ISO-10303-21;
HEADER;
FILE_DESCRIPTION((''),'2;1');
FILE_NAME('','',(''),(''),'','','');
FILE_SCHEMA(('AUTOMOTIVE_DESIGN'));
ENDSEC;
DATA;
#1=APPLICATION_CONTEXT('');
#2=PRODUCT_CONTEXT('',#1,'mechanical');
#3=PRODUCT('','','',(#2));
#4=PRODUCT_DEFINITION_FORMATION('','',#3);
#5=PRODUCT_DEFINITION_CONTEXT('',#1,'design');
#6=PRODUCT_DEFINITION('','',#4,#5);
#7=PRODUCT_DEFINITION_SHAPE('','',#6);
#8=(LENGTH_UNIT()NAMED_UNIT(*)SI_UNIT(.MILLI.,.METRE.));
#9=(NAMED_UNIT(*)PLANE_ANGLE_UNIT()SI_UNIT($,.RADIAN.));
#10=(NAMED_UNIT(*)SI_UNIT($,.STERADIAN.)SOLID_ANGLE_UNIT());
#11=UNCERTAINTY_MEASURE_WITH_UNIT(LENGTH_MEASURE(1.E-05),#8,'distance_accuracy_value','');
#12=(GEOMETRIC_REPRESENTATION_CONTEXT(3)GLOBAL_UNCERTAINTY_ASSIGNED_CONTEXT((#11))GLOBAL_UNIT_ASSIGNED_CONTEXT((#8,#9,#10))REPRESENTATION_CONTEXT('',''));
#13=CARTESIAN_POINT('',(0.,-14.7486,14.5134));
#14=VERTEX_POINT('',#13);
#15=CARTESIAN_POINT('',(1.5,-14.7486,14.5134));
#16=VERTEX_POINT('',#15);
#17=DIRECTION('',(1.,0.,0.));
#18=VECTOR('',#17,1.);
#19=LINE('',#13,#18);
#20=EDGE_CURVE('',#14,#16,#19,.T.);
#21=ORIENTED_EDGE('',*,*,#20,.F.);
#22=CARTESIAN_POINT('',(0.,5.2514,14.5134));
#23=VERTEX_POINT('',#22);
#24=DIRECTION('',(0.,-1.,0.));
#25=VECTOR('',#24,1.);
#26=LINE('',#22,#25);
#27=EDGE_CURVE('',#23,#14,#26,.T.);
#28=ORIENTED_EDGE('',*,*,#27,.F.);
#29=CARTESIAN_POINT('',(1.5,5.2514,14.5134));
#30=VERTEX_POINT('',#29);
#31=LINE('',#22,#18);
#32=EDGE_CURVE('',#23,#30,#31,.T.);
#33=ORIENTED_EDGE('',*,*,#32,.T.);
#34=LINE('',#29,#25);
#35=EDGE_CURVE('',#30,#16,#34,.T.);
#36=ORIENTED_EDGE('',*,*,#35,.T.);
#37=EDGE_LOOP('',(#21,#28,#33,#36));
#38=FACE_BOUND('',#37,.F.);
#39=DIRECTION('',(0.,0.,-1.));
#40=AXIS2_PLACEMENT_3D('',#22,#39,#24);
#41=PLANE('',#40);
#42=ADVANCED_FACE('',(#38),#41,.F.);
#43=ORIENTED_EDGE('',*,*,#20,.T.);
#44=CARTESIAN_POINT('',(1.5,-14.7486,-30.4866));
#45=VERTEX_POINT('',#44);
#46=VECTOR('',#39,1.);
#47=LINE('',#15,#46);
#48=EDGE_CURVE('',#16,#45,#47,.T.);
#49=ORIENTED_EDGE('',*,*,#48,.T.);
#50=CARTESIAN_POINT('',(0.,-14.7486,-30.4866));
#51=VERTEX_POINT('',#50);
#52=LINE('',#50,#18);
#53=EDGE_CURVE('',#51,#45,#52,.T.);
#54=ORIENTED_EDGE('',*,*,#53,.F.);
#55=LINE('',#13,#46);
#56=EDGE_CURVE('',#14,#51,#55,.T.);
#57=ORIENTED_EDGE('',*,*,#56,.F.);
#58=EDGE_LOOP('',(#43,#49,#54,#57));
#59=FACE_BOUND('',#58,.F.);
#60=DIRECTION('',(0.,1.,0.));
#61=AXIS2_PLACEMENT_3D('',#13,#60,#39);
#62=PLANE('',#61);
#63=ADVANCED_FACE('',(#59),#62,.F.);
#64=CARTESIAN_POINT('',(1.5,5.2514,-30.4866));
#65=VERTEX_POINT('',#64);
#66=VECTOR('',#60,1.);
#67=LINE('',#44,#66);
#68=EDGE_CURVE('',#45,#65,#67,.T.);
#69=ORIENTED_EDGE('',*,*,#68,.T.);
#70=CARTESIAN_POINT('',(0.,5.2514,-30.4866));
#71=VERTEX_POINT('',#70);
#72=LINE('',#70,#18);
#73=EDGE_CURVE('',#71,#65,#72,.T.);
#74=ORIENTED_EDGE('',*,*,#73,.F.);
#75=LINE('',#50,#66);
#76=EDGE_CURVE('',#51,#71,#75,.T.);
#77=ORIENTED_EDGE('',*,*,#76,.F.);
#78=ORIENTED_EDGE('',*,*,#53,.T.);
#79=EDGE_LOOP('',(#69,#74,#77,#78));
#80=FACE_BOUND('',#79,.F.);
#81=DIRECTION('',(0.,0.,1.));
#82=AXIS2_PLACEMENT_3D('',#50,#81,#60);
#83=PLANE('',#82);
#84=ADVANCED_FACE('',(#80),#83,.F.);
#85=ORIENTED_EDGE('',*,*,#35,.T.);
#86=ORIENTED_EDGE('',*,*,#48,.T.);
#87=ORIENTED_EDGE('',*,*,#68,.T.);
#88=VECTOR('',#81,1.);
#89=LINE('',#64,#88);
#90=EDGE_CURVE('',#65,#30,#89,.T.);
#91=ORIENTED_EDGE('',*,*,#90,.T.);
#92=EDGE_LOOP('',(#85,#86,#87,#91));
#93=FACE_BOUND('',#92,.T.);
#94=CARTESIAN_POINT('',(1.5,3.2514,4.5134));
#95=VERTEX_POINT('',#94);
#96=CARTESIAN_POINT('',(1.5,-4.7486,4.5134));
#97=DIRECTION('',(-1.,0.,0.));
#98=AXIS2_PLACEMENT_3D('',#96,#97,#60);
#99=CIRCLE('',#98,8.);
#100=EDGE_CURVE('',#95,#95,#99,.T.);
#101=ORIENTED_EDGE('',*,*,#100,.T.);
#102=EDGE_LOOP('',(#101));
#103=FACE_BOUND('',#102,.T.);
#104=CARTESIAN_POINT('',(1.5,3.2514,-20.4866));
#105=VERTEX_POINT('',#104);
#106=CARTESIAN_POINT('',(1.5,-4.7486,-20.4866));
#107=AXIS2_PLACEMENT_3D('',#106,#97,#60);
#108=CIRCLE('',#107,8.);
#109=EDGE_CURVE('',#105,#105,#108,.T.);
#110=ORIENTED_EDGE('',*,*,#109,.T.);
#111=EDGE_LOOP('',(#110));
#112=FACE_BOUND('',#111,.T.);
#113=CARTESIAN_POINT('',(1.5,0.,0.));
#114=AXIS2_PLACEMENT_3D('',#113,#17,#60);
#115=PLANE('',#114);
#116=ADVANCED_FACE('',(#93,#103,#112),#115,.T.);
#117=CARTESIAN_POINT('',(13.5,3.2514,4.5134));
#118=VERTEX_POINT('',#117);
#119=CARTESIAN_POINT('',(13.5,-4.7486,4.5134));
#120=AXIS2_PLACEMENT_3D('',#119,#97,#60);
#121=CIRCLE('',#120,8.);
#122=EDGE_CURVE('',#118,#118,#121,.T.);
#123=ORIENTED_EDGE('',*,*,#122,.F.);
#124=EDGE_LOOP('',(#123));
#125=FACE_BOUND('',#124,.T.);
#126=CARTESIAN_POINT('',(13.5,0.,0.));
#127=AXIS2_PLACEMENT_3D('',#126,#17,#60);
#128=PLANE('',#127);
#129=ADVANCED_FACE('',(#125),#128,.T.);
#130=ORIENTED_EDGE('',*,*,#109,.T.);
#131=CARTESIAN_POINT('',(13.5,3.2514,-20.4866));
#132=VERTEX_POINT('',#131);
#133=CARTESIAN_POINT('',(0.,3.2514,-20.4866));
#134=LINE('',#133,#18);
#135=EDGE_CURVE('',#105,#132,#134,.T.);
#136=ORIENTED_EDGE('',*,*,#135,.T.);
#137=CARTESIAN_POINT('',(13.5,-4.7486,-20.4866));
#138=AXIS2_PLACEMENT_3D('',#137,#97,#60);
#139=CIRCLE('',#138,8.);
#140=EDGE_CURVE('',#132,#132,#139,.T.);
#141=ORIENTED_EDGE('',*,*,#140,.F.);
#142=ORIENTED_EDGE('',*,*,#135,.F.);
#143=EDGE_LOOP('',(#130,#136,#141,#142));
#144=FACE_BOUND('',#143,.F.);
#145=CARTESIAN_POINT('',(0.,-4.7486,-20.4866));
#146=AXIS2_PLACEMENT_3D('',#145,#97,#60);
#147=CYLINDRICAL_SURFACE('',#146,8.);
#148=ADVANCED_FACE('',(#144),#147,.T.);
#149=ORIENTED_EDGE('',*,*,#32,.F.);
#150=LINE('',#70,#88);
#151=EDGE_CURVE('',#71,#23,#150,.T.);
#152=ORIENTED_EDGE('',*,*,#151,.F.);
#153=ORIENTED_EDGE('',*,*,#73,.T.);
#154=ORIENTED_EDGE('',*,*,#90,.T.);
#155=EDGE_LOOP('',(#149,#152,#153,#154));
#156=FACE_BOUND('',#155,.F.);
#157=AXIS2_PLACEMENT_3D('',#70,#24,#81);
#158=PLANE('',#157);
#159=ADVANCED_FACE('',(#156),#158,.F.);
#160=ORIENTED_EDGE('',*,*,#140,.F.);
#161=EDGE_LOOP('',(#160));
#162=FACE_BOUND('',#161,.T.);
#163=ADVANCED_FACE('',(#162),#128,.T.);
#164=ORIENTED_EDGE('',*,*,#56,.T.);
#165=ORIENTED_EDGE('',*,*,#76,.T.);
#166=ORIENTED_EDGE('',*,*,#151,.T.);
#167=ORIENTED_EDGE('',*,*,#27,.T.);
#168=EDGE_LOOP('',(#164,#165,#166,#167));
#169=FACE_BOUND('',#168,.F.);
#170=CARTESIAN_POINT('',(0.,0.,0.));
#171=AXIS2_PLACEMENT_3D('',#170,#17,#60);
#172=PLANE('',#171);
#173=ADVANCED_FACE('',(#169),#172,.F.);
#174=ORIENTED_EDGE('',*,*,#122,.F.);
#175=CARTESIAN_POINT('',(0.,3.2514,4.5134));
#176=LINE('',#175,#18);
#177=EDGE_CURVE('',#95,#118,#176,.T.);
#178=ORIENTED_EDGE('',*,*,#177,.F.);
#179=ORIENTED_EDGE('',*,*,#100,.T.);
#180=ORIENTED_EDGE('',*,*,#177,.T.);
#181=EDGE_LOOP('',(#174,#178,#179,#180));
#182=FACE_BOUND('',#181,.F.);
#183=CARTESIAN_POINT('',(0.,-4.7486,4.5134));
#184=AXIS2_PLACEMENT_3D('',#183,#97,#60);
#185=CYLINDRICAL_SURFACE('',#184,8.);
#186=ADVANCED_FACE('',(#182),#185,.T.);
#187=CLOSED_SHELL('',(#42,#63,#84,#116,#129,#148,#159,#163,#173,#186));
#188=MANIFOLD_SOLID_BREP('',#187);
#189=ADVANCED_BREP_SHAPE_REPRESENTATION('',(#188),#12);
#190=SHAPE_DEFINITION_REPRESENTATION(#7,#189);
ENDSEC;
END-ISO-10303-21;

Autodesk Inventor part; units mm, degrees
ref_plane "YZ Plane" through (0, 0, 0) normal (1, 0, 0) x (0, 1, 0)
ref_plane "XZ Plane" through (0, 0, 0) normal (0, 1, 0) x (-1, 0, 0)
ref_plane "XY Plane" through (0, 0, 0) normal (0, 0, 1) x (1, 0, 0)
sketch "Sketch1" plane through (0, 0, 0) normal (1, 0, 0) x (0, 1, 0)
  line L0 (5.2514, 14.5134) -> (-14.7486, 14.5134)
  line L1 (-14.7486, 14.5134) -> (-14.7486, -30.4866)
  line L2 (-14.7486, -30.4866) -> (5.2514, -30.4866)
  line L3 (5.2514, -30.4866) -> (5.2514, 14.5134)
  line L4 (3.2514, 12.5134) -> (-12.7486, 12.5134)
  line L5 (-12.7486, 12.5134) -> (-12.7486, -28.4866)
  line L6 (-12.7486, -28.4866) -> (3.2514, -28.4866)
  line L7 (3.2514, -28.4866) -> (3.2514, 12.5134)
  circle A0 centre (-4.7486, -20.4866) radius 8
  line L8 (3.2514, -7.9866) -> (-3.9727, -7.9866)
  circle A1 centre (-4.7486, 4.5134) radius 8
  point P0 (0, 0)
  dimension "d0" = 20
  dimension "d1" = 45
extrude "Extrusion1" add sketch "Sketch1" along normal blind 1.5 contours L3 L2 L1 L0 | L7 A1 L4 | A1 L5 L4 | A1 | L7 A0 L5 A1 | A0 L6 L5 | A0 | L7 L6 A0
extrude "Extrusion2" add sketch "Sketch1" along normal blind 13.5 contours A1 | A0
properties part number "HCSR04"
